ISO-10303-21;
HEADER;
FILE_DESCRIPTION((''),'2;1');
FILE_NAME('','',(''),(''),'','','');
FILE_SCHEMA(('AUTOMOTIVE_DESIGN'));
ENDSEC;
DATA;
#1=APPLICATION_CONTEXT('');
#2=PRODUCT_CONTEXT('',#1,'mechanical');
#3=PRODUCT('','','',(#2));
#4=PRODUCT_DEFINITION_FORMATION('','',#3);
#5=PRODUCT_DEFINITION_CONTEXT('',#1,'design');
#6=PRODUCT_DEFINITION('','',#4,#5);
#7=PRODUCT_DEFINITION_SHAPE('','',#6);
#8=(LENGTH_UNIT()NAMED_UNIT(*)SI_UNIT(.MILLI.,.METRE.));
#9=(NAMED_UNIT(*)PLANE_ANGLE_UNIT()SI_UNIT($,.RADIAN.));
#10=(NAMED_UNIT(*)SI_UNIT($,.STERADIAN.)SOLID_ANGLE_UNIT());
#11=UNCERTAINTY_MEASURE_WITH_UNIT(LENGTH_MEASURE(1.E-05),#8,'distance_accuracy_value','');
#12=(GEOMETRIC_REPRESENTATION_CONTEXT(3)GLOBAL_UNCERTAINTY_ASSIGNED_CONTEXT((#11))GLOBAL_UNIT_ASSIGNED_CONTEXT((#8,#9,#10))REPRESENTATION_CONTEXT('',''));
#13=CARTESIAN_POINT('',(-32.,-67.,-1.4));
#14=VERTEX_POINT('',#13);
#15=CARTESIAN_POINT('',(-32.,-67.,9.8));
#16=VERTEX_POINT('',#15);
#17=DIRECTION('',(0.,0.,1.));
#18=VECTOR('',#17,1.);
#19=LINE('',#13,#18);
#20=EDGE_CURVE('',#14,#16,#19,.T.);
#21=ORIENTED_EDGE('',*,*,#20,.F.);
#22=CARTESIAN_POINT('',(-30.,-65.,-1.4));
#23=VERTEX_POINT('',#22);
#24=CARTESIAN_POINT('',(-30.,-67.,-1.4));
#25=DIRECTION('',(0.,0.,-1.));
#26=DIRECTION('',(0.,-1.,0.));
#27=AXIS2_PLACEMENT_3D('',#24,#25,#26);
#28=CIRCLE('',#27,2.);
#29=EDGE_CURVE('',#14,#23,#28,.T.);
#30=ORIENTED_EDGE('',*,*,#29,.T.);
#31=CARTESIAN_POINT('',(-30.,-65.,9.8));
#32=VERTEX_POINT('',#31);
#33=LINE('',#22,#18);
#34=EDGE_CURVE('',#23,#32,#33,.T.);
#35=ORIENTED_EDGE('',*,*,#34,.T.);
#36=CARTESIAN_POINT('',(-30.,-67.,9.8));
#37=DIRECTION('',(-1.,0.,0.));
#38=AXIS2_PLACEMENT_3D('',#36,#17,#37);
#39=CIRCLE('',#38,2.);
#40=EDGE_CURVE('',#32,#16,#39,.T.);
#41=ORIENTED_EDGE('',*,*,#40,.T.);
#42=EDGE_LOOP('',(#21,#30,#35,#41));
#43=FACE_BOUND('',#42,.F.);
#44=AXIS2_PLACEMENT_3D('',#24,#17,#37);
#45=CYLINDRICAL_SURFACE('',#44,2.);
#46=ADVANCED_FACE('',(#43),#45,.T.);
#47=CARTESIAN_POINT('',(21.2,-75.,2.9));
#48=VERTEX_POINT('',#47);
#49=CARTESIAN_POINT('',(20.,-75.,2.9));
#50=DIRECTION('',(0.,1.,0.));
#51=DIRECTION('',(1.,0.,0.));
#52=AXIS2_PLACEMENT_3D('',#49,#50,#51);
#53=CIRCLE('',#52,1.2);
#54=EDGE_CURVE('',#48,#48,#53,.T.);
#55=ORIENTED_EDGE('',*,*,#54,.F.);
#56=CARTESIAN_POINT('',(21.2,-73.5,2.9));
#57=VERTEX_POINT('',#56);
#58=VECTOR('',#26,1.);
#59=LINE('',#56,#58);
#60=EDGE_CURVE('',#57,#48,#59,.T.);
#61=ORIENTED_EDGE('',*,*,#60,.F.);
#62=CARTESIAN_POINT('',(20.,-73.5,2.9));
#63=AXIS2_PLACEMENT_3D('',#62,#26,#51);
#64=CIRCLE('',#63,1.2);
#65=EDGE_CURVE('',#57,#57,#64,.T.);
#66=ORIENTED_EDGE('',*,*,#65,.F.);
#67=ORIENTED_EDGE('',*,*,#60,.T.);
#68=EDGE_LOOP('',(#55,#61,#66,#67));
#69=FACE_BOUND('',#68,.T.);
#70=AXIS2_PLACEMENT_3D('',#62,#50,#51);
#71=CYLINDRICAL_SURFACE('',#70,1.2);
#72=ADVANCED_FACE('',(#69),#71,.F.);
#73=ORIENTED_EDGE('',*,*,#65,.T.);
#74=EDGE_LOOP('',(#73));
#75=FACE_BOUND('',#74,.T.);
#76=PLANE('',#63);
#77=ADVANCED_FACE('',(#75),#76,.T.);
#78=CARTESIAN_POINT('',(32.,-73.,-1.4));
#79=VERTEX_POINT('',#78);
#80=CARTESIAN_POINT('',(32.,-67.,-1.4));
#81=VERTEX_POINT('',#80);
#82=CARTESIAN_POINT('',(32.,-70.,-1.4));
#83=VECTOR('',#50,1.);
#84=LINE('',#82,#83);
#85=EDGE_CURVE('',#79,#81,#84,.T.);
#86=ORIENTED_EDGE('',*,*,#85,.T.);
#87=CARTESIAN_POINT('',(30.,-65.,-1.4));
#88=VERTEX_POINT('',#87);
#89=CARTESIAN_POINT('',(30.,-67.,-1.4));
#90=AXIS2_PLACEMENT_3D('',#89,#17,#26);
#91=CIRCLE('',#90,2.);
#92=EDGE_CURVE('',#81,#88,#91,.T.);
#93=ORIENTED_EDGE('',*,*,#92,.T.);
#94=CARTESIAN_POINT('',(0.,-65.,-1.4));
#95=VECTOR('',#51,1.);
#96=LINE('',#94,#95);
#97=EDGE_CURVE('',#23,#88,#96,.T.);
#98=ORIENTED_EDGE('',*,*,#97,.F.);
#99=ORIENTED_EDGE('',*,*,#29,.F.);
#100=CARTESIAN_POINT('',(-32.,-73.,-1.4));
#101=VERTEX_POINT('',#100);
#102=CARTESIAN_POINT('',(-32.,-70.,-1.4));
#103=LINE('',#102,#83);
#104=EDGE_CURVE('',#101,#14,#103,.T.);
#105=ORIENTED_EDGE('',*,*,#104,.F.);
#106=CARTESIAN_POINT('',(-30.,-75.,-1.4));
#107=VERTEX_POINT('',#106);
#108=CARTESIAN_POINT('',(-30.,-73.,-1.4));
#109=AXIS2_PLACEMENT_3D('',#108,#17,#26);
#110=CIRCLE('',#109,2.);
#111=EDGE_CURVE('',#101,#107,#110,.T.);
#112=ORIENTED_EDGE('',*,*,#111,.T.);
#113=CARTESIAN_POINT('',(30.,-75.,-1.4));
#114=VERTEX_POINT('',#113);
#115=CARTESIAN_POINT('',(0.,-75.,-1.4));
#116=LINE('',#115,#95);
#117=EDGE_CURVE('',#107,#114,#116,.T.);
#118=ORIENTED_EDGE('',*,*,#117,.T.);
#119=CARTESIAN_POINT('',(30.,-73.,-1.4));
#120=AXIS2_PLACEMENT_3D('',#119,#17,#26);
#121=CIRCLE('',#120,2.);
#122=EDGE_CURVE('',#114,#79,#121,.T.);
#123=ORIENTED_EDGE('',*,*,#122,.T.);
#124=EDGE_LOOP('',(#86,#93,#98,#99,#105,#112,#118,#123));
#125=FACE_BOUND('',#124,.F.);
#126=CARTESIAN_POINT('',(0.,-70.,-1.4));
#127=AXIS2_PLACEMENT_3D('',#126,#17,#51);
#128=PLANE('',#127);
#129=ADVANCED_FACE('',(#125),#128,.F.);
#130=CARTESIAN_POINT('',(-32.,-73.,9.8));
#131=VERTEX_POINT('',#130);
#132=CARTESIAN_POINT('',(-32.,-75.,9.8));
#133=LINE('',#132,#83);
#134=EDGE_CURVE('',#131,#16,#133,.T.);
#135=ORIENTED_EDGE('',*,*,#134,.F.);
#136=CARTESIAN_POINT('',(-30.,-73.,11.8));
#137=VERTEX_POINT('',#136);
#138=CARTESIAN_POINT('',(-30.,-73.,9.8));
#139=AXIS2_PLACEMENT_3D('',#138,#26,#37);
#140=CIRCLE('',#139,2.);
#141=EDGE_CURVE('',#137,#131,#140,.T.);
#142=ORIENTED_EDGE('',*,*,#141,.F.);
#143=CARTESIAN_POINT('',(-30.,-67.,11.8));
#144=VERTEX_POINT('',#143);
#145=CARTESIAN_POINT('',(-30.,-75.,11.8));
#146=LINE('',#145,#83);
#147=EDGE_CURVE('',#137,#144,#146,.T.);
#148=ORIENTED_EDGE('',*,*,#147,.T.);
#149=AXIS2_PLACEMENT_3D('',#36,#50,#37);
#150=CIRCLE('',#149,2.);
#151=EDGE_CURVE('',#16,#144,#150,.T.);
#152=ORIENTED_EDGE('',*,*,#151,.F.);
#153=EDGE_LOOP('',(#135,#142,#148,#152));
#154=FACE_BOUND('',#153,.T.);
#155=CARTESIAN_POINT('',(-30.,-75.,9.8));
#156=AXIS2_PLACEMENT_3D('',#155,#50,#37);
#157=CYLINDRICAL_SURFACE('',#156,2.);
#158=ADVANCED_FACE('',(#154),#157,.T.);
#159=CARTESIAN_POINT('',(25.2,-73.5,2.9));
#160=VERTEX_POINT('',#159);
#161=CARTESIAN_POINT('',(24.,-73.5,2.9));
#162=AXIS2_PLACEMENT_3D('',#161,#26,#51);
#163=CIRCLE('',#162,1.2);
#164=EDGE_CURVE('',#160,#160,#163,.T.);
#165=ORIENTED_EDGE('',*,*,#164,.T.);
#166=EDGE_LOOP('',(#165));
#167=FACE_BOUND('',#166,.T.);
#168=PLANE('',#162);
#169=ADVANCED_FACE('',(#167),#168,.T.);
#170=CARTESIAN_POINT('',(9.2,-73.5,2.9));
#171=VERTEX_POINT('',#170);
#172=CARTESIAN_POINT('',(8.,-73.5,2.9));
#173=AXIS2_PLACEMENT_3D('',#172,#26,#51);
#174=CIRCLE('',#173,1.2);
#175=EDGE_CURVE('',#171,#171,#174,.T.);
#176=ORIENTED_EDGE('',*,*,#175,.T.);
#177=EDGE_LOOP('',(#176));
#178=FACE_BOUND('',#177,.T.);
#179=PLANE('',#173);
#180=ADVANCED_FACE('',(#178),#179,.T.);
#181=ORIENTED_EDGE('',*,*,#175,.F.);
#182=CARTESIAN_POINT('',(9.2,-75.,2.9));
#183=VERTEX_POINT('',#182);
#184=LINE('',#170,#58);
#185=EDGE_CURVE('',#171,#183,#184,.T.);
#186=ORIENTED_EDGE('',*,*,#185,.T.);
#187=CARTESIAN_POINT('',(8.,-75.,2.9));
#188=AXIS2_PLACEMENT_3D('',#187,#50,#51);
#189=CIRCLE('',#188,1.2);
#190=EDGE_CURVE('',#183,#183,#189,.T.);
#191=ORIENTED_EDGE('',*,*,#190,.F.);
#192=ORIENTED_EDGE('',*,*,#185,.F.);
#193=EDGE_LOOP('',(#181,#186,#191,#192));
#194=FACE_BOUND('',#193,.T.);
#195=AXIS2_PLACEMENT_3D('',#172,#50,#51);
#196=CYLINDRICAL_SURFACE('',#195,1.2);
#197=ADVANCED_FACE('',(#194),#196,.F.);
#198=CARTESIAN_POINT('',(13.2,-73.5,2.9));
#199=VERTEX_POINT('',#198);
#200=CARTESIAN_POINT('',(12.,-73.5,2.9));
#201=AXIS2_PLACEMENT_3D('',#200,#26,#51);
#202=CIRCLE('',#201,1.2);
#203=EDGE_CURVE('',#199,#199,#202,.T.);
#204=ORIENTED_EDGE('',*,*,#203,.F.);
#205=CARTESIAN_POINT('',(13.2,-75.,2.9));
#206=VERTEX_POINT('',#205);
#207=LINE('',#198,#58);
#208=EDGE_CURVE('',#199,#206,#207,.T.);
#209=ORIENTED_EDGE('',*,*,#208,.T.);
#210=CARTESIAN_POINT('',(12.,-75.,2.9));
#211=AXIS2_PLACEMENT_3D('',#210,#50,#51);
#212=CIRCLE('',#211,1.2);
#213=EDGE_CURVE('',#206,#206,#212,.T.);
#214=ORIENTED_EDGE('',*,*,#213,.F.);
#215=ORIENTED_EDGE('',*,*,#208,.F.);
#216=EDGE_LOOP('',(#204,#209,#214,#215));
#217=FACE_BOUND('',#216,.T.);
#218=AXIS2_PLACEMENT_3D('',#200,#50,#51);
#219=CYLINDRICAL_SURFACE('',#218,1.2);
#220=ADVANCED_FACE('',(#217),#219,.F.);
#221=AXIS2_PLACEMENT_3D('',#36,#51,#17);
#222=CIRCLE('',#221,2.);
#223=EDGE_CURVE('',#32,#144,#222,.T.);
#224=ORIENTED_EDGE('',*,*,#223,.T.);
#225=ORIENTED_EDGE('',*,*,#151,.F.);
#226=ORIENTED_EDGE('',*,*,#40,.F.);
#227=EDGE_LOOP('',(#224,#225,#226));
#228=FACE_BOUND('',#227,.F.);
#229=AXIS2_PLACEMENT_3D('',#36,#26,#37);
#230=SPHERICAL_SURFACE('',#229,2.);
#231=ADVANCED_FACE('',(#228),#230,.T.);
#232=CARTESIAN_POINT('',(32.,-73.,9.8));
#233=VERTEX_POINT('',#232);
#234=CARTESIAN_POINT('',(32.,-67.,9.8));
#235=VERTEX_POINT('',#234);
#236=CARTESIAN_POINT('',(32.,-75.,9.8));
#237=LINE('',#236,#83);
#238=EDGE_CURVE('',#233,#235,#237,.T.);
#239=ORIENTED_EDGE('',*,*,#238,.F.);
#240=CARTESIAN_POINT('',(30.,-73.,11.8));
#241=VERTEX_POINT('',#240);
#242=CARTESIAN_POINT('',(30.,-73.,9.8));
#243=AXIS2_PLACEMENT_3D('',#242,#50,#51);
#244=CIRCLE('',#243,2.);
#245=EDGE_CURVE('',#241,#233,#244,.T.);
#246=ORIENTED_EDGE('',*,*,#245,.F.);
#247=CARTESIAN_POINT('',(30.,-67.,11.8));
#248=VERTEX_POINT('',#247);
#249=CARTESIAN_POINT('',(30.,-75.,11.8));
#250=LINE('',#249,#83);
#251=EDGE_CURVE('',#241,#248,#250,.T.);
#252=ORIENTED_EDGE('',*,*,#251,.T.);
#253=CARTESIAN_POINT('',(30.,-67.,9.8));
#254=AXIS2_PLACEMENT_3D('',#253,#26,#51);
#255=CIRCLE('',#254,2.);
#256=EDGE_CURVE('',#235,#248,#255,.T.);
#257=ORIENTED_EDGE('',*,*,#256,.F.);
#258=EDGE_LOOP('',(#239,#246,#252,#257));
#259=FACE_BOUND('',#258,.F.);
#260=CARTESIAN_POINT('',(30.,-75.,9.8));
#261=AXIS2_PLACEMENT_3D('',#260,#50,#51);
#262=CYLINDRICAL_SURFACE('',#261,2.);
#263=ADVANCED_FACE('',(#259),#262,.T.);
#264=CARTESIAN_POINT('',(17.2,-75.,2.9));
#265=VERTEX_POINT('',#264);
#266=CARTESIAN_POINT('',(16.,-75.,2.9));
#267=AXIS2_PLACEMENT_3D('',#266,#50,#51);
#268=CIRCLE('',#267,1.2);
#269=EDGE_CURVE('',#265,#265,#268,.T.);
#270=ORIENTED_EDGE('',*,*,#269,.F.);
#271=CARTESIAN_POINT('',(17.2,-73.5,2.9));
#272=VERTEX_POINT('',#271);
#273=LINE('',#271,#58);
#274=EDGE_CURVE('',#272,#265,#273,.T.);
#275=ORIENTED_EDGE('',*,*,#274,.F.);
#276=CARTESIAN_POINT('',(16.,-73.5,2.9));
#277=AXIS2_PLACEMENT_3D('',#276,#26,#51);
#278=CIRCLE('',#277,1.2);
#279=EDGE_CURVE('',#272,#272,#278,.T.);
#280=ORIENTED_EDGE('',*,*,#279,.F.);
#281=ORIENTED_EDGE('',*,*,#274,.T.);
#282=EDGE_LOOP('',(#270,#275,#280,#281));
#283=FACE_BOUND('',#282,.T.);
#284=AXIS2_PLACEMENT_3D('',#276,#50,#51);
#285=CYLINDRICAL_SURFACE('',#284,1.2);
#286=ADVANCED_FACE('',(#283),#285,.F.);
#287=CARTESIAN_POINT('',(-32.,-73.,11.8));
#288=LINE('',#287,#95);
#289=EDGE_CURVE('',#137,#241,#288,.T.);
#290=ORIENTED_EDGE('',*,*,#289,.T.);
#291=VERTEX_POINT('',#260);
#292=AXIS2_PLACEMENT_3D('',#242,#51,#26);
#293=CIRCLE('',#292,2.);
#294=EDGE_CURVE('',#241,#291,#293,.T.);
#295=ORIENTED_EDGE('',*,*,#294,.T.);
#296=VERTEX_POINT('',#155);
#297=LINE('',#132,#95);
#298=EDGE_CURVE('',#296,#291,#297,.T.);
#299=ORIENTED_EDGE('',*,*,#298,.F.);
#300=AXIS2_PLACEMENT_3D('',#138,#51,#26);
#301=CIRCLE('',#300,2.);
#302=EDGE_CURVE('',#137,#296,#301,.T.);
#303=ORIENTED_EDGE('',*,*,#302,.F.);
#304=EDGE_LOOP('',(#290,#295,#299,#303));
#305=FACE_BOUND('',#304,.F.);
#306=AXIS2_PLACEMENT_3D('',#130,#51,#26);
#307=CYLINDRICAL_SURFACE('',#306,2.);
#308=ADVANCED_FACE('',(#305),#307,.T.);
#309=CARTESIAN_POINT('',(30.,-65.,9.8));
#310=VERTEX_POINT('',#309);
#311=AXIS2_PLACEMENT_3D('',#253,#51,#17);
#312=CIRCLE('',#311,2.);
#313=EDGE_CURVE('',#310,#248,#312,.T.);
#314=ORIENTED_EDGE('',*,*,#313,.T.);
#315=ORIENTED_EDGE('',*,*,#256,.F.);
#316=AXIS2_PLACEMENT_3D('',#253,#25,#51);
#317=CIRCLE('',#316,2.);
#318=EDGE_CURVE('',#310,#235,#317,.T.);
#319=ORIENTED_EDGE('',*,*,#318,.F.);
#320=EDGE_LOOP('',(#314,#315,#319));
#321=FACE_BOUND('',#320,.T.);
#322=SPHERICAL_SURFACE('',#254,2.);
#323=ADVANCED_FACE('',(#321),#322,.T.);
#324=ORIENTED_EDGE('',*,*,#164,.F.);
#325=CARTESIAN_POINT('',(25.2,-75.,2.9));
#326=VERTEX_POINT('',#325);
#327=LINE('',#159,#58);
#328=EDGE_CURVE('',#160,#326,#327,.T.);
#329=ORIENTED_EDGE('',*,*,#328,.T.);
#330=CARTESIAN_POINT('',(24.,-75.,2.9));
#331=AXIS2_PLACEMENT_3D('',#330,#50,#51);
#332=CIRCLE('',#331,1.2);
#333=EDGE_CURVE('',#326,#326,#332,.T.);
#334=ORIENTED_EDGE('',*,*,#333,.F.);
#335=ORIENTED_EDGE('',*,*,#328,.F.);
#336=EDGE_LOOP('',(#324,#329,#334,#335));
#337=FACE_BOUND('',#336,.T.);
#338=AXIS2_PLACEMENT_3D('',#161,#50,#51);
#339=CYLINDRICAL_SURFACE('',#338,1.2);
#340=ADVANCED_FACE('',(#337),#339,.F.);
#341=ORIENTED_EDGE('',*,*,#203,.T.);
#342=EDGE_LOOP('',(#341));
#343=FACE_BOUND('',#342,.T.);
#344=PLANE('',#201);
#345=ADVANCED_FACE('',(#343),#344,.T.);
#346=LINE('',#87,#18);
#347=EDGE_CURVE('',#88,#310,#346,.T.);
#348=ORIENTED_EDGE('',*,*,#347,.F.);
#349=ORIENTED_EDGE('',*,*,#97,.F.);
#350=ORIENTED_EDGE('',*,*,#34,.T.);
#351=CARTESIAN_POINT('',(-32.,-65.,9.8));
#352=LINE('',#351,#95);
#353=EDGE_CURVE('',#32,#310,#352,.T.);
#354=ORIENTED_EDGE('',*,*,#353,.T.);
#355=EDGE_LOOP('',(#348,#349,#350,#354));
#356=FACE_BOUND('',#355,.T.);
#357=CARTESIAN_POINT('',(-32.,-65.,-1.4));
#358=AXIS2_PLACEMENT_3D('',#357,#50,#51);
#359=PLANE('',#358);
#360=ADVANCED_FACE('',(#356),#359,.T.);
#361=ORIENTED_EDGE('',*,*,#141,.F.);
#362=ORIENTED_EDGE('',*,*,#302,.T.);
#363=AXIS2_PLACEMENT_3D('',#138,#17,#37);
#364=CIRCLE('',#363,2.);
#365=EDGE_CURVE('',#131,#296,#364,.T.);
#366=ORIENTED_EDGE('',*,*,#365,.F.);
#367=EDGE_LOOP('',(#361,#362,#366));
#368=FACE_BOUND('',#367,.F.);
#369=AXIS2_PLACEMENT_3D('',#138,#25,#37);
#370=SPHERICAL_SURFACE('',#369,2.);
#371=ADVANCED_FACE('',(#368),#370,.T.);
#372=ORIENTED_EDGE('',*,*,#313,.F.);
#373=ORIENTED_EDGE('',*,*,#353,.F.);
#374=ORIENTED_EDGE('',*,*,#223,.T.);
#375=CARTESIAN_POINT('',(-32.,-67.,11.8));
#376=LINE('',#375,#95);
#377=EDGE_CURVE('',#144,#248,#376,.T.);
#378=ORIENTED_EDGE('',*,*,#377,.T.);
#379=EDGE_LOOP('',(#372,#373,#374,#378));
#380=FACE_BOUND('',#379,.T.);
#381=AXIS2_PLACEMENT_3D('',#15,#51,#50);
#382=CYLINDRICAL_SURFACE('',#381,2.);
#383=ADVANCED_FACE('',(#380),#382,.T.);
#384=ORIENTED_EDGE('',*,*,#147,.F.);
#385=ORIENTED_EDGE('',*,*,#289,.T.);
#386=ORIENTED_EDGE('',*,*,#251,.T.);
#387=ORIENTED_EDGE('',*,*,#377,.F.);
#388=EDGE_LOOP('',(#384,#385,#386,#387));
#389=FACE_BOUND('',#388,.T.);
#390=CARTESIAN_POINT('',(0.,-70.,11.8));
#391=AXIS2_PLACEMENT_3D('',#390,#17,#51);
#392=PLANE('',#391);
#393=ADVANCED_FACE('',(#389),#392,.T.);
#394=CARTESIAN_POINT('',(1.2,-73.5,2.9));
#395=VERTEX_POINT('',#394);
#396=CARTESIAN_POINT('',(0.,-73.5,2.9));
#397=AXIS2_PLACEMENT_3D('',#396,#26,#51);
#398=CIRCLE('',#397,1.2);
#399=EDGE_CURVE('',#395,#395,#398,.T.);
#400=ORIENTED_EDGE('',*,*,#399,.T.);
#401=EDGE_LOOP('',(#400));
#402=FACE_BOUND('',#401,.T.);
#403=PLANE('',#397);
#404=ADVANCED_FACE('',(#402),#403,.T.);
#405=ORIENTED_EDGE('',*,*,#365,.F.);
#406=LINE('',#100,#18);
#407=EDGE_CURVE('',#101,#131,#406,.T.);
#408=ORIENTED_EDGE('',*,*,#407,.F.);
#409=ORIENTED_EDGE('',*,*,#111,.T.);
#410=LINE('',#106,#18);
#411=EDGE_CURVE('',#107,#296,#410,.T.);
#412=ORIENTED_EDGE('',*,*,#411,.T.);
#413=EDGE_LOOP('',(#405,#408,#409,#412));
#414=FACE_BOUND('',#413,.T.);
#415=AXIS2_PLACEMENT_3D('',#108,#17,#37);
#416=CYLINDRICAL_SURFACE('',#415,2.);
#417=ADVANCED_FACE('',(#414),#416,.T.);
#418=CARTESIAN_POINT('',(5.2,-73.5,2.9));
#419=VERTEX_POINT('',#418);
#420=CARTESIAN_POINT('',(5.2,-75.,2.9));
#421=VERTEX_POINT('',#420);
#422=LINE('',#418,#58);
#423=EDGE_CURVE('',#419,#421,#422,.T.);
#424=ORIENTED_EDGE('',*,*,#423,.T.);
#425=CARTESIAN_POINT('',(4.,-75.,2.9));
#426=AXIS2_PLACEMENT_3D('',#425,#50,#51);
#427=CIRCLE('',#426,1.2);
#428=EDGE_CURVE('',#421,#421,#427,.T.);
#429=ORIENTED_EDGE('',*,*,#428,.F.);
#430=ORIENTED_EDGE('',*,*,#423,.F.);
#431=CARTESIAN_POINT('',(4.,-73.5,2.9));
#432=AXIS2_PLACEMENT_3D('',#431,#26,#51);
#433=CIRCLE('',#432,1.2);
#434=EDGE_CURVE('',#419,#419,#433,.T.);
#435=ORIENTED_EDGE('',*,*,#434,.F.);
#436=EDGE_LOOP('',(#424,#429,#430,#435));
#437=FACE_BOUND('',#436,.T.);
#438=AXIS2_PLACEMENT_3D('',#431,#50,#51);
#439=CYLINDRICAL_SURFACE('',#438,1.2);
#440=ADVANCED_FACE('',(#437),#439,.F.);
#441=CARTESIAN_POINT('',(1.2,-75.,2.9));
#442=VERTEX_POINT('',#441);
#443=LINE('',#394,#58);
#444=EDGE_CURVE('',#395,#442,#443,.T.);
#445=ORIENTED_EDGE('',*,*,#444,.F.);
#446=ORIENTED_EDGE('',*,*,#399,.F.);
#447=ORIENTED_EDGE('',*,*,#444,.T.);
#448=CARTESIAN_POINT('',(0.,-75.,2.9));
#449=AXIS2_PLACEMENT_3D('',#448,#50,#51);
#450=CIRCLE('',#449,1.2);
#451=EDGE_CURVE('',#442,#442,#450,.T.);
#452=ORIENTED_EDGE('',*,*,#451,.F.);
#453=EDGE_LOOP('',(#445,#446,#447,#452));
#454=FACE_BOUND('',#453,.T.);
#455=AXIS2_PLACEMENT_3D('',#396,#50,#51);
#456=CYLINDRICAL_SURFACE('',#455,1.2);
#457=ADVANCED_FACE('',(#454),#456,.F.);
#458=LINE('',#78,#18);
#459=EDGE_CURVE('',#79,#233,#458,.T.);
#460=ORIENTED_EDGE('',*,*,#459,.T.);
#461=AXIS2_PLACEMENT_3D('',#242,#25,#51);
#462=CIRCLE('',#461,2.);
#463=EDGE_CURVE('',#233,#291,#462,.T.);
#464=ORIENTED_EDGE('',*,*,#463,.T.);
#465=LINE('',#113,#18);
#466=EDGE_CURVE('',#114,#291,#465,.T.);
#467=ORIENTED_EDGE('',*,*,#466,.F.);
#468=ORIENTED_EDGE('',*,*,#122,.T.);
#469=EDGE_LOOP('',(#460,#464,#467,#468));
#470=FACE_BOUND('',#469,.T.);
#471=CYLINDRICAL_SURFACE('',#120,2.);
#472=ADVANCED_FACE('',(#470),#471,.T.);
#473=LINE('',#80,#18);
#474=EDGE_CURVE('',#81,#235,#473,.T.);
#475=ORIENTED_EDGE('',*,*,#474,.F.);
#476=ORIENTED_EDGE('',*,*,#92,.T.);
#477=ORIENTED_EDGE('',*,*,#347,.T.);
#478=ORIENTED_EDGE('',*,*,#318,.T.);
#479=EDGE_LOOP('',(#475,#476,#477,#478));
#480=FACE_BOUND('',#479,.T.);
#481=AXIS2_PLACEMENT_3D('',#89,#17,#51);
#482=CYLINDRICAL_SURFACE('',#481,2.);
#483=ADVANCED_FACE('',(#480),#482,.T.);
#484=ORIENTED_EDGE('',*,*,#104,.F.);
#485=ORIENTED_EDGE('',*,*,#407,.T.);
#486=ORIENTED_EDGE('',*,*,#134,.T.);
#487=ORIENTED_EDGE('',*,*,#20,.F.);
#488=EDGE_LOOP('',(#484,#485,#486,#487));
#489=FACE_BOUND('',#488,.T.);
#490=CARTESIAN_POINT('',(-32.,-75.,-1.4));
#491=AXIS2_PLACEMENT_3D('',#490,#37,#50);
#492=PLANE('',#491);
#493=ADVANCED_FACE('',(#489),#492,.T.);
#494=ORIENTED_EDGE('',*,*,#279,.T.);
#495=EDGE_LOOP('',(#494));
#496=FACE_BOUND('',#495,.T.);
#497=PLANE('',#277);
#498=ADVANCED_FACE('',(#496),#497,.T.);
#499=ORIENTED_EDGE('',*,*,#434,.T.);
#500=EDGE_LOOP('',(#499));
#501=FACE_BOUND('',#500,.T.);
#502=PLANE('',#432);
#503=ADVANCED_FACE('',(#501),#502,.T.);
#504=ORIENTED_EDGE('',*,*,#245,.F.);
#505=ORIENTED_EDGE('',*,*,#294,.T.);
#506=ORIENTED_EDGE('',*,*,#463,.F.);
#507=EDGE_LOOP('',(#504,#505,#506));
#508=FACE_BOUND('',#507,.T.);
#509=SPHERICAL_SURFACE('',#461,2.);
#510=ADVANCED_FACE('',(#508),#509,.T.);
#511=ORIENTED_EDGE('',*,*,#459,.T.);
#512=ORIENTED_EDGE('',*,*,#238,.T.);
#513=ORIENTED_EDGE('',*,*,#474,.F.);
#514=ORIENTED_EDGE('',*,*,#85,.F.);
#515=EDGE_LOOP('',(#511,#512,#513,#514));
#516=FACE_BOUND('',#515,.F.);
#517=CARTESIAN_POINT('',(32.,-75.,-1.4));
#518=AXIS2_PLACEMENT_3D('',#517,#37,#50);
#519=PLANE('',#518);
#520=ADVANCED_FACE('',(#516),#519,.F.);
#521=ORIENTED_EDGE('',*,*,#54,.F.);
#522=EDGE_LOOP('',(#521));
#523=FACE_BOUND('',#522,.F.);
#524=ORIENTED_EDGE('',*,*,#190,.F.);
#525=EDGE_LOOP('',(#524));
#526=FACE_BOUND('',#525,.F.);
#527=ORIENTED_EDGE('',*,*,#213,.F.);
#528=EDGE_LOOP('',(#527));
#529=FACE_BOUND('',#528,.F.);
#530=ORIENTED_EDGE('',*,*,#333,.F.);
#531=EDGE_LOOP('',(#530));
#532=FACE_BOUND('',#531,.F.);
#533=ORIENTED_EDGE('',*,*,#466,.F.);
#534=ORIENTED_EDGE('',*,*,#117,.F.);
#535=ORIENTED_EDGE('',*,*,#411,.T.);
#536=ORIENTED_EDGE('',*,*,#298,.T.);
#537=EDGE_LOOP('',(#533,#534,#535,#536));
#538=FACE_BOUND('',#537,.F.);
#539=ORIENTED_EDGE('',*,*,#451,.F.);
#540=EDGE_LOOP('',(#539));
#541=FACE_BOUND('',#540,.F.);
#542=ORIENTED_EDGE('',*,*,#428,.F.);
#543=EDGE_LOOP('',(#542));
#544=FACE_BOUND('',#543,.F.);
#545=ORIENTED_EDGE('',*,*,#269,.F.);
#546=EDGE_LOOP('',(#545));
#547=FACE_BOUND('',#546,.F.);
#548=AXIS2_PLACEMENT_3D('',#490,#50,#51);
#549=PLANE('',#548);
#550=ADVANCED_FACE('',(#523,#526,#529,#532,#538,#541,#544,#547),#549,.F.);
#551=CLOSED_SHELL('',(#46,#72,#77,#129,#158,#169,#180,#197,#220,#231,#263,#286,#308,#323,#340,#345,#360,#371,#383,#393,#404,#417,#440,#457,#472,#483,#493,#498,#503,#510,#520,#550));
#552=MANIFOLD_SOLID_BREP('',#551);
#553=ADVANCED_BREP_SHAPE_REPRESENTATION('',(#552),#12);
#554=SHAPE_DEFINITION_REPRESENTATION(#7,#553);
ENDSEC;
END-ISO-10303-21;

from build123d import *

# Parameters (mm, degrees)
CYLINDER005_R     = 1.2
CYLINDER005_DEPTH = 1.8
ARRAY007_X_COUNT  = 7
ARRAY007_X_PITCH  = 4
BOX015_W          = 64
BOX015_H          = 10
BOX015_DEPTH      = 13.2
FILLET006_R       = 2


with BuildPart() as array007:
    # Cylinder005 → Cylinder005 (new body)
    with BuildSketch(Plane(origin=(0, -73.5, 2.9), x_dir=(1, 0, 0), z_dir=(0, -1, 0))):
        Circle(CYLINDER005_R)
    extrude(amount=CYLINDER005_DEPTH)

    # Array007 X: Array007 ×7


with BuildPart() as array007_1:
    add(array007.part)
    with Locations(*[(i * ARRAY007_X_PITCH, 0, 0) for i in range(1, ARRAY007_X_COUNT)]):
        add(array007.part)


with BuildPart() as seitenteil:
    # Box015 → Box015 (new body)
    with BuildSketch(Plane(origin=(-32, -75, -1.4), x_dir=(1, 0, 0), z_dir=(0, 0, 1))):
        with Locations((32, 5)):
            Rectangle(BOX015_W, BOX015_H)
    extrude(amount=BOX015_DEPTH)

    # Fillet006
    fillet006_edges = [seitenteil.edges().sort_by_distance(p)[0] for p in [
        (-32, -75, 5.2),
        (-32, -70, 11.8),
        (-32, -65, 5.2),
        (32, -75, 5.2),
        (32, -70, 11.8),
        (32, -65, 5.2),
        (0, -75, 11.8),
        (0, -65, 11.8),
    ]]
    fillet(fillet006_edges, radius=FILLET006_R)

    # Cut010: cut Array007
    add(array007_1.part, mode=Mode.SUBTRACT)


solid = seitenteil.part
